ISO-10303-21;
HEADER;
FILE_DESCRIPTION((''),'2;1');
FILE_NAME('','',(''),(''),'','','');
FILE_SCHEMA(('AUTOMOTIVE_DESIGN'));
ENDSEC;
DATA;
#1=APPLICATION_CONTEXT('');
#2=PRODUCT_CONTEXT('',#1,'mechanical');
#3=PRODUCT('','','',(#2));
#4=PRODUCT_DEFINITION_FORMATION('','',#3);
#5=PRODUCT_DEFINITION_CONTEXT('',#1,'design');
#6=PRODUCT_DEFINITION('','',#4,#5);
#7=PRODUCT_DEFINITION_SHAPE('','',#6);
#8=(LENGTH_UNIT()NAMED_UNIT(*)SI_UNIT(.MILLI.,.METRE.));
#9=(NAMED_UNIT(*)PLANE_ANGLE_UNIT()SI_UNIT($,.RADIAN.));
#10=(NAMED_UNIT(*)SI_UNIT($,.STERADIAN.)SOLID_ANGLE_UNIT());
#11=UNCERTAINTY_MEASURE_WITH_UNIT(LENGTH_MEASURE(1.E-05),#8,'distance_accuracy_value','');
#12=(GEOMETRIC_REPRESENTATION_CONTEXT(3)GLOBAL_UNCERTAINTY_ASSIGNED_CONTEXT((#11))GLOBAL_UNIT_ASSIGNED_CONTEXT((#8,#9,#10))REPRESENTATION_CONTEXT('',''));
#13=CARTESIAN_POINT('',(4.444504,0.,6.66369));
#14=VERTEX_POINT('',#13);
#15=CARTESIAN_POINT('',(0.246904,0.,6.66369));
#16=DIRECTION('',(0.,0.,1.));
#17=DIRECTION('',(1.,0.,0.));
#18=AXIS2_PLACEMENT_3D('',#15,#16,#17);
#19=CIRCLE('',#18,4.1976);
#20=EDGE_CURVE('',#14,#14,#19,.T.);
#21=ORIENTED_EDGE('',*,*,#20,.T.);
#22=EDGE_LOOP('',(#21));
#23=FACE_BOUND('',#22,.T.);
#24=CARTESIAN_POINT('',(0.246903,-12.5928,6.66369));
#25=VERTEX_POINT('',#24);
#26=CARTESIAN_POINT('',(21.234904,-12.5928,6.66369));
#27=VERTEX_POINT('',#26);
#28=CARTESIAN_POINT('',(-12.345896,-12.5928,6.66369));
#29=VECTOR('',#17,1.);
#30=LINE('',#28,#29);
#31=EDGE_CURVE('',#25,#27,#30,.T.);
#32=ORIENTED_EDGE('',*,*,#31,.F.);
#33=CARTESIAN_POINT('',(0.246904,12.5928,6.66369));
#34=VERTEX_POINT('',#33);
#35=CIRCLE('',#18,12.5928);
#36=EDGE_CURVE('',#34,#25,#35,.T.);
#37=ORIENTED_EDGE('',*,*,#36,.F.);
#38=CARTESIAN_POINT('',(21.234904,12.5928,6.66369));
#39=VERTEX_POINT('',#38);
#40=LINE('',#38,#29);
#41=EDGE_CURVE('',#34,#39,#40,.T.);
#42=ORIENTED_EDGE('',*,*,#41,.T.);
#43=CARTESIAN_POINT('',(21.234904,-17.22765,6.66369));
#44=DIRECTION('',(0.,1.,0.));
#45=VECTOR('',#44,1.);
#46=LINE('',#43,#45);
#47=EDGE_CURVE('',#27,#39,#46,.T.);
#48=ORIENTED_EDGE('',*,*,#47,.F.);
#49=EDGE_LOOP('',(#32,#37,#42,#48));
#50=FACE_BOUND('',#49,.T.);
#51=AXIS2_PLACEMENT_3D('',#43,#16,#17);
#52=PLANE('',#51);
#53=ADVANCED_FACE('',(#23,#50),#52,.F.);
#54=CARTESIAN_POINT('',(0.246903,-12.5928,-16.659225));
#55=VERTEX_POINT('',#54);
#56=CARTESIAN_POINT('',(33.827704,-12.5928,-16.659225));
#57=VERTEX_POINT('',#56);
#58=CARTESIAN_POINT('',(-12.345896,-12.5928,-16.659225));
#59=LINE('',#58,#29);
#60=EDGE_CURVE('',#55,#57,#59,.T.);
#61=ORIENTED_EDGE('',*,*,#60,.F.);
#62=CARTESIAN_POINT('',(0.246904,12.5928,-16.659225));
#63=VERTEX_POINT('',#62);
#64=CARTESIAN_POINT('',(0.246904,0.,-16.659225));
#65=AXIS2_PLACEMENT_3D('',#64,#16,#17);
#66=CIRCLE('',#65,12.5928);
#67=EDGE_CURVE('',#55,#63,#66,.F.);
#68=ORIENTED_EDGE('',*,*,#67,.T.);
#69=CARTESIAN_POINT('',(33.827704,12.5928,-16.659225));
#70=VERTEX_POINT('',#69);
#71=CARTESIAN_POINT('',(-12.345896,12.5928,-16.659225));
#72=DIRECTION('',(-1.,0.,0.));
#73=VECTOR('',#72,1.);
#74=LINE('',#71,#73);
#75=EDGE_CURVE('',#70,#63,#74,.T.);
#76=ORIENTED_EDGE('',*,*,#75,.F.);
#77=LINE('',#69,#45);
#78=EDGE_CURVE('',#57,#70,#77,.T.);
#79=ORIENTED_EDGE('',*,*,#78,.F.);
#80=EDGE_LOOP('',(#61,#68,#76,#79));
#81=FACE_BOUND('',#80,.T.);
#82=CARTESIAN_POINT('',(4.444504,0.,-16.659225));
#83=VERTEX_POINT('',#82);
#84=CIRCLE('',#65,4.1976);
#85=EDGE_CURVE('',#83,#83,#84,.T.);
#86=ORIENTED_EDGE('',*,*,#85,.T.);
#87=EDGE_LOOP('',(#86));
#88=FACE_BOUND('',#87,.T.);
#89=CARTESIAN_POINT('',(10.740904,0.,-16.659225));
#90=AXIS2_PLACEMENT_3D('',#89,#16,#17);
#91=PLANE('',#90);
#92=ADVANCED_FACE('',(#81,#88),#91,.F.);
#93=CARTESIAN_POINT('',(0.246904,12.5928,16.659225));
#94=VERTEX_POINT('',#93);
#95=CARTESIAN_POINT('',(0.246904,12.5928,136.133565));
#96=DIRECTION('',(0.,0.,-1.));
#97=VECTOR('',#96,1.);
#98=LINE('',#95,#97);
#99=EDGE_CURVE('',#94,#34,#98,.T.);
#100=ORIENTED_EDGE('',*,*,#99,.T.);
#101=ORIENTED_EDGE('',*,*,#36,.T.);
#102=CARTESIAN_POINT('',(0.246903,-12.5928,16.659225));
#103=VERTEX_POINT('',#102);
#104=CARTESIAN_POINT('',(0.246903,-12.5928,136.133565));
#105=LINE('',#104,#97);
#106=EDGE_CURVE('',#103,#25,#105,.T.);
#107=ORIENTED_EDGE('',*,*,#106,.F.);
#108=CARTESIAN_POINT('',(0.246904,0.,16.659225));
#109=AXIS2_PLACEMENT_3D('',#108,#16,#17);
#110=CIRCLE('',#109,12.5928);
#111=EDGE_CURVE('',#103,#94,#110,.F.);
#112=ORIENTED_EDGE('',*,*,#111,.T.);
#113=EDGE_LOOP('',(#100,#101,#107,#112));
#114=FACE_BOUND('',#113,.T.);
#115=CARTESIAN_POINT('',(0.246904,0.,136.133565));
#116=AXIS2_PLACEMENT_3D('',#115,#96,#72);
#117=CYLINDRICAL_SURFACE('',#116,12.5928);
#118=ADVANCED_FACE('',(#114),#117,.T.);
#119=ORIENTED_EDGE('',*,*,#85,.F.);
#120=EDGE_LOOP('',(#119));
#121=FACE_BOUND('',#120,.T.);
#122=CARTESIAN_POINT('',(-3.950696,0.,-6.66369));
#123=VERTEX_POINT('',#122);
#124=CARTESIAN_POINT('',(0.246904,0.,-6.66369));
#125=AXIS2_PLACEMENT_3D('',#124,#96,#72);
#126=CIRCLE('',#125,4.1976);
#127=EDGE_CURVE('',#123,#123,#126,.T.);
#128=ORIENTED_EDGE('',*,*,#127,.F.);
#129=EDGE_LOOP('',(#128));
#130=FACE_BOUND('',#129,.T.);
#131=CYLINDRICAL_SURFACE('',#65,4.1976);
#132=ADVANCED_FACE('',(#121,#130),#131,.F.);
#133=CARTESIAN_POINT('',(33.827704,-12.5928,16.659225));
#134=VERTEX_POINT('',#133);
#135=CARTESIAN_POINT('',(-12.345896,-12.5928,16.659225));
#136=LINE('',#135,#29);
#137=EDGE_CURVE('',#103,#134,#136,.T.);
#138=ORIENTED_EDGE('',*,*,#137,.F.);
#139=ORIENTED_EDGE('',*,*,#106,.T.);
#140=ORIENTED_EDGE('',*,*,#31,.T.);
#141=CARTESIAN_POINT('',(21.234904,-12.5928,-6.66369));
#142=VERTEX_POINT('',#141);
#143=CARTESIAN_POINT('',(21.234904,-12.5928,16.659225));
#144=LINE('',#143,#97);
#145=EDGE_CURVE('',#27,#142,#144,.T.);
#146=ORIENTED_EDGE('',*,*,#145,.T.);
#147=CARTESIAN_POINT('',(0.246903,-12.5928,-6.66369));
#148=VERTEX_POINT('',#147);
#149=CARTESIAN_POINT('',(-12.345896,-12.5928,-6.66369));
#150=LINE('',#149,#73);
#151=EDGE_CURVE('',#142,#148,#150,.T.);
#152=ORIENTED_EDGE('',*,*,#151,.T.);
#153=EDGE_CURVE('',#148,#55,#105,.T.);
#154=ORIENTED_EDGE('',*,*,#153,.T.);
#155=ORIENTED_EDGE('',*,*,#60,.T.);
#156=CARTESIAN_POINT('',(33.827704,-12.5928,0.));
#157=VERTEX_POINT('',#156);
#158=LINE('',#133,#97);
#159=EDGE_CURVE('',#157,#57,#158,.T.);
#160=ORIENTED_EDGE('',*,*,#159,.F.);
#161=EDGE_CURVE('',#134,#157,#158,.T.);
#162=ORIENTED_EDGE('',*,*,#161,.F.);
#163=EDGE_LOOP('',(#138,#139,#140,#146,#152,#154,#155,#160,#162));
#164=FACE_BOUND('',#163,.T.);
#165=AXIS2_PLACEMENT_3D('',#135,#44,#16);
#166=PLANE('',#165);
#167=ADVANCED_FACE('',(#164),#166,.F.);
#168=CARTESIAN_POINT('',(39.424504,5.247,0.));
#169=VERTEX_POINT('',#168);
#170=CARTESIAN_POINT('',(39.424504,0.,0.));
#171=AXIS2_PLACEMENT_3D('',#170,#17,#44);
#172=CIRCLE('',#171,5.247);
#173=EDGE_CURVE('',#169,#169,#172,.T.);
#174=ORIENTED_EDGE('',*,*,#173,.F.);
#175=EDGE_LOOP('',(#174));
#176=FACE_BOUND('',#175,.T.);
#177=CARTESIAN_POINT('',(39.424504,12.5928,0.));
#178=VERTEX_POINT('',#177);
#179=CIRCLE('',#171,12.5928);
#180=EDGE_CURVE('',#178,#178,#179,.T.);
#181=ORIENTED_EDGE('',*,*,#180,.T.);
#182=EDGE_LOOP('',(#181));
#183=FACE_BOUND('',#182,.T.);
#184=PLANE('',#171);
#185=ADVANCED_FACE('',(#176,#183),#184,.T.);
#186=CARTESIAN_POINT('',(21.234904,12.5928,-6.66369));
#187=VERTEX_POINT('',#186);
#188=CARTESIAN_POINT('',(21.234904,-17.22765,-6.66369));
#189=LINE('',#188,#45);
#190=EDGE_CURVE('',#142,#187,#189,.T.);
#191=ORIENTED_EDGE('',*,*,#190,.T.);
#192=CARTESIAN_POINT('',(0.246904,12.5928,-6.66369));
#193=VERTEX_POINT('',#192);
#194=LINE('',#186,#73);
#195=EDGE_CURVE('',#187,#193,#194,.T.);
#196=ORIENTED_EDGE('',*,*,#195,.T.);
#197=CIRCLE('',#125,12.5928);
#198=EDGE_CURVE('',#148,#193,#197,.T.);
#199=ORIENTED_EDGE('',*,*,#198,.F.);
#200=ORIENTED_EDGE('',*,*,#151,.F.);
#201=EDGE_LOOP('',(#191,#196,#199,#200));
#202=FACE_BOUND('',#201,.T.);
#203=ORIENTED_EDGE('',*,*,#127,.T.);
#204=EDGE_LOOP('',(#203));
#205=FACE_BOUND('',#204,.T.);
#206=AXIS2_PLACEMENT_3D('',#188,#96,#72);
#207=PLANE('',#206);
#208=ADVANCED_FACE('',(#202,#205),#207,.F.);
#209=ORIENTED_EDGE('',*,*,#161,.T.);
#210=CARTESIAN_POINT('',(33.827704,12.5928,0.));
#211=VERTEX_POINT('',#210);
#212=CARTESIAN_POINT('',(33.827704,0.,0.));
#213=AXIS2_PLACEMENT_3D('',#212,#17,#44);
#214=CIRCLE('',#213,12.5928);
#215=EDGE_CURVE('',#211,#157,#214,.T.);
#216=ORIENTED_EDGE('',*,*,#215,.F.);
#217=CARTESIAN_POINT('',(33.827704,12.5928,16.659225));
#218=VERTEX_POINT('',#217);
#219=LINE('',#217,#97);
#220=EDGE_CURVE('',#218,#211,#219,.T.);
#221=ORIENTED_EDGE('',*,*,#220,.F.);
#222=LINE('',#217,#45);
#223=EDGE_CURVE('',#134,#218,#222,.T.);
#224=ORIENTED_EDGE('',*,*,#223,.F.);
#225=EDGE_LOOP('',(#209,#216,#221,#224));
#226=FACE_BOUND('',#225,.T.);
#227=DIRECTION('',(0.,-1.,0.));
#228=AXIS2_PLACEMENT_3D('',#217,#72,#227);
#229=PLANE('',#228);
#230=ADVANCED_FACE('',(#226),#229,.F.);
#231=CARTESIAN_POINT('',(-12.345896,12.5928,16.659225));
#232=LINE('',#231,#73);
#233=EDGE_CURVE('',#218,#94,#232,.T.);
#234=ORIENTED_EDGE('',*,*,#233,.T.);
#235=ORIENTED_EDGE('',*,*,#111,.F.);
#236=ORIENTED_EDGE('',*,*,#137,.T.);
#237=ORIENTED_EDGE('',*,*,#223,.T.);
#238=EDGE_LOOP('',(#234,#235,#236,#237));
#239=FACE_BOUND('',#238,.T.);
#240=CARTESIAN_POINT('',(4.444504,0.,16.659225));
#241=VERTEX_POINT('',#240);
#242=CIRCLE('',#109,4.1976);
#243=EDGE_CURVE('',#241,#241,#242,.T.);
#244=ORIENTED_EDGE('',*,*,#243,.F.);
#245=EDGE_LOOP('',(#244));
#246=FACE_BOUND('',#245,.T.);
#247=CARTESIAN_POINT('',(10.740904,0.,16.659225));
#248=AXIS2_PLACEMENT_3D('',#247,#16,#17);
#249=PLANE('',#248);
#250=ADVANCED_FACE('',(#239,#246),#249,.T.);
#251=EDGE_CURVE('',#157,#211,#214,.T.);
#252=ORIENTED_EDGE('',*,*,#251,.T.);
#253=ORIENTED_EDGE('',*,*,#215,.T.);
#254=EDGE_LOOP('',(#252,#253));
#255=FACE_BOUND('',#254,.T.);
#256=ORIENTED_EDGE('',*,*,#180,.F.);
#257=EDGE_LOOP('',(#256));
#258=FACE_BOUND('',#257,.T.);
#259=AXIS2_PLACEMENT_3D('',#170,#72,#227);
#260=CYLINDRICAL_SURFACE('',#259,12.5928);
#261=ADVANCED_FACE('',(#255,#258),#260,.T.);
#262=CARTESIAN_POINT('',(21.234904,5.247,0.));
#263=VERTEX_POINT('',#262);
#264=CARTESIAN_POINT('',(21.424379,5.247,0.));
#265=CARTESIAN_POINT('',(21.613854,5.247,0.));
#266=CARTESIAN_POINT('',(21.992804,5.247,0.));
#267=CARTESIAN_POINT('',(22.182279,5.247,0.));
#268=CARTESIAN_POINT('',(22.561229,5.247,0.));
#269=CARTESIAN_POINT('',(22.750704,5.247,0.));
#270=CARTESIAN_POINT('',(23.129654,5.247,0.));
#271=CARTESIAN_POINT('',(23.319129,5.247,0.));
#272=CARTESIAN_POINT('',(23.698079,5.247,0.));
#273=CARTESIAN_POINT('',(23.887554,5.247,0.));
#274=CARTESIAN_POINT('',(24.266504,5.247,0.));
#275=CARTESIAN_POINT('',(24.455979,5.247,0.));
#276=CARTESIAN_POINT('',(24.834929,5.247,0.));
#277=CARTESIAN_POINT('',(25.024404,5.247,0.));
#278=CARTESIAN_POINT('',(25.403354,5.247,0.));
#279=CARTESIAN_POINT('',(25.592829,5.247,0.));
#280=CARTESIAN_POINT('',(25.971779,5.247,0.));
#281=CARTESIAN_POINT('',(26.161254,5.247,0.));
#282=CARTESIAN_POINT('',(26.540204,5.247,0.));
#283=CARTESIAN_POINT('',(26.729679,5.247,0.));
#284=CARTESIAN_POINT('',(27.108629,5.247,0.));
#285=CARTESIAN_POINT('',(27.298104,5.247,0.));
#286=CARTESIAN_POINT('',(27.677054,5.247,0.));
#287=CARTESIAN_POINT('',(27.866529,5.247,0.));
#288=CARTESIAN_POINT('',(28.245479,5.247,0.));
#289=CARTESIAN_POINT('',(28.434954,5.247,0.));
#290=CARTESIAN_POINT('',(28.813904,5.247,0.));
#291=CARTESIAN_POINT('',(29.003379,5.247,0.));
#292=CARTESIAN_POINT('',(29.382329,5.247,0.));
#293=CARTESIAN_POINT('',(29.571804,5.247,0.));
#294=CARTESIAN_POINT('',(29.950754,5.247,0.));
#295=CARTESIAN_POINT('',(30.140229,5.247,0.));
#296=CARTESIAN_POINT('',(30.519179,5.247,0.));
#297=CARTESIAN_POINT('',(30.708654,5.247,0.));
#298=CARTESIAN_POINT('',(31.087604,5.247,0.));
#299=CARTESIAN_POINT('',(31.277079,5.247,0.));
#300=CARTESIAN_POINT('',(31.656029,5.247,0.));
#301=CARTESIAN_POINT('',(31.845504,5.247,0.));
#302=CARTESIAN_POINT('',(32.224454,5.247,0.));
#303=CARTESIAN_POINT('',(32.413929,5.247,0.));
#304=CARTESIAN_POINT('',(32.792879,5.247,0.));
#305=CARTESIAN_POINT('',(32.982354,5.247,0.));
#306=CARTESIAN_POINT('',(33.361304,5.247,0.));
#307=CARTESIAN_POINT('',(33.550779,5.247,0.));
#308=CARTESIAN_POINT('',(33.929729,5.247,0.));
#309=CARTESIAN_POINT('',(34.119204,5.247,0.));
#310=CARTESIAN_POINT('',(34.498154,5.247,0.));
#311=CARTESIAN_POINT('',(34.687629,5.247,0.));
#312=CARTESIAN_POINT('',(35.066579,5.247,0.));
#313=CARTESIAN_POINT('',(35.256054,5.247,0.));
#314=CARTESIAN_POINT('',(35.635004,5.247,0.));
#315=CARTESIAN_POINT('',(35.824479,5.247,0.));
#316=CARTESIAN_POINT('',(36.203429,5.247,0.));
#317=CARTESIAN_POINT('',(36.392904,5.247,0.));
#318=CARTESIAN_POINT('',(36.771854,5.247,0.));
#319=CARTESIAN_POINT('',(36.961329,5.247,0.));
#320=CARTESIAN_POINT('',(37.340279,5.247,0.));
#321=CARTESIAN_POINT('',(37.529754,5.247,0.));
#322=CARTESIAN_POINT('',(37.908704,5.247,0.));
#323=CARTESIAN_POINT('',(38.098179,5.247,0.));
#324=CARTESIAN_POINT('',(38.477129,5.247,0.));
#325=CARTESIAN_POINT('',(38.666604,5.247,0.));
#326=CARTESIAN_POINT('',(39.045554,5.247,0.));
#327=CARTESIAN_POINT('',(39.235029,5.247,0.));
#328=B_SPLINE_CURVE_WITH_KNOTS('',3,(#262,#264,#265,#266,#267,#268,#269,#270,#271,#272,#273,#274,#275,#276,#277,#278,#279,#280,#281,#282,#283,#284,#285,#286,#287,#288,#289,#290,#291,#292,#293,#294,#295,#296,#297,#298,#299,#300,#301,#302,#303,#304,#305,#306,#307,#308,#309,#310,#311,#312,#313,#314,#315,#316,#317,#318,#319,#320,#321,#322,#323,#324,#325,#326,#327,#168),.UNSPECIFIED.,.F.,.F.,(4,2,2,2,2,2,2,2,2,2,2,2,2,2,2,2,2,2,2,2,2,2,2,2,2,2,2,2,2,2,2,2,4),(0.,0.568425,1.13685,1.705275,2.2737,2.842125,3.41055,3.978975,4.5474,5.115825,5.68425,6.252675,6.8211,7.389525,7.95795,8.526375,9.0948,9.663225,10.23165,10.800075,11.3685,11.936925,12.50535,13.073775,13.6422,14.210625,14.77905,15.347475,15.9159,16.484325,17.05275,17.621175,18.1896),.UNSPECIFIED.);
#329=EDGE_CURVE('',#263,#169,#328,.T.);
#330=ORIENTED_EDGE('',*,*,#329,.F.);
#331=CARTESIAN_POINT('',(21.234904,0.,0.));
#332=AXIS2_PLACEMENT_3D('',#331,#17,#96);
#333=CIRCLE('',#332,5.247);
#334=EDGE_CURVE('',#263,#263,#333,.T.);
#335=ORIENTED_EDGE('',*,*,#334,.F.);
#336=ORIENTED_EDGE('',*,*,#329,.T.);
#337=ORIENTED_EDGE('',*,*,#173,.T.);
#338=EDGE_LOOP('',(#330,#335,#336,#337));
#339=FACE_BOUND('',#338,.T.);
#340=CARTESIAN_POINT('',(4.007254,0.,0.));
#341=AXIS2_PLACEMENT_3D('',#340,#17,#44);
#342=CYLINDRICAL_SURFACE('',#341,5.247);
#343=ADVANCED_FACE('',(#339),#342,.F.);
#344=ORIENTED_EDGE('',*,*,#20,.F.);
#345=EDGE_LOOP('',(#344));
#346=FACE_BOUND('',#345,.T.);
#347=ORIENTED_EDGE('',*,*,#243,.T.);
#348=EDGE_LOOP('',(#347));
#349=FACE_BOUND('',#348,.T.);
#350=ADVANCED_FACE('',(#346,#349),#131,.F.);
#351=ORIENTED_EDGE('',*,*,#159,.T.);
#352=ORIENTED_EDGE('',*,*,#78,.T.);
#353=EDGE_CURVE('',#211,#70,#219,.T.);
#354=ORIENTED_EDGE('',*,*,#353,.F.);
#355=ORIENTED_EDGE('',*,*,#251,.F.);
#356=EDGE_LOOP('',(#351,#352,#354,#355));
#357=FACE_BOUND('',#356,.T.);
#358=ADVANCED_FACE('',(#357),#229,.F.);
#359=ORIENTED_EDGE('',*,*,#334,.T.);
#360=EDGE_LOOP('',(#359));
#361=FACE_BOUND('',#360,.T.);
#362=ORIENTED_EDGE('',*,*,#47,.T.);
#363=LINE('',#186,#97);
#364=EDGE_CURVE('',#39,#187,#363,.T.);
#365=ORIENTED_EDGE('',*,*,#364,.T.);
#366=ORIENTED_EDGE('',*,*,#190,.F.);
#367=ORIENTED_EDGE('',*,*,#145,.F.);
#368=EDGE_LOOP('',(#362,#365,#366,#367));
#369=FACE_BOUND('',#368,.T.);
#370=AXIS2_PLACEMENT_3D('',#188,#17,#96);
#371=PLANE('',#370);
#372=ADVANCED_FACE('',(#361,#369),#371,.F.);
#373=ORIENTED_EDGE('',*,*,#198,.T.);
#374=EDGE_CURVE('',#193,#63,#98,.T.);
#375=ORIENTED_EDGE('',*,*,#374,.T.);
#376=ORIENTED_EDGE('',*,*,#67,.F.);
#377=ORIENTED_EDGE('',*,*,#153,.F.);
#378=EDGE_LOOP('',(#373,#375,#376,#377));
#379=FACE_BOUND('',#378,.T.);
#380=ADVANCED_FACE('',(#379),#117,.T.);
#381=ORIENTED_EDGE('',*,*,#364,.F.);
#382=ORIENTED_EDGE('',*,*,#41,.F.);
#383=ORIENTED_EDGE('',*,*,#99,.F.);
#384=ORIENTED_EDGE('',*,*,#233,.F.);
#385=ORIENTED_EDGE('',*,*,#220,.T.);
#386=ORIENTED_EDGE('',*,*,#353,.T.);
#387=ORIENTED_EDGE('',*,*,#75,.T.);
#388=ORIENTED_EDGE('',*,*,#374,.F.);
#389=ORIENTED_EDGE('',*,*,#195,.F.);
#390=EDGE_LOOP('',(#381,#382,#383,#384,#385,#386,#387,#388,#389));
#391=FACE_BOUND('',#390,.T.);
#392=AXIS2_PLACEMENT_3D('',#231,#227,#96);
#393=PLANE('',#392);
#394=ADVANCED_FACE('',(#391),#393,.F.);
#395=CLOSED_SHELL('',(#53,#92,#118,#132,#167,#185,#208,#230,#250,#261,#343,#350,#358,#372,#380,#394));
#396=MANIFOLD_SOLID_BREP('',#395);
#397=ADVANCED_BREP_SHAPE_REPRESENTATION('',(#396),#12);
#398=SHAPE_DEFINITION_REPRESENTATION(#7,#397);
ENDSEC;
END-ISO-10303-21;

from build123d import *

# Parameters (mm, degrees)
SKETCH1_W               = 132
SKETCH1_H               = 72
BOSS_EXTRUDE1_DEPTH     = 47.625
CUT_EXTRUDE1_DEPTH      = 122.344808294
CUT_EXTRUDE1_DEPTH_BACK = 122.344808294
SKETCH3_W               = 96
SKETCH3_H               = 38.1
CUT_EXTRUDE2_DEPTH      = 85.25
SKETCH4_R               = 15
CUT_EXTRUDE3_DEPTH      = 85.25
BOSS_EXTRUDE2_START     = 16
SKETCH5_R               = 36
SKETCH5_R_2             = 15
BOSS_EXTRUDE2_DEPTH     = 16
CUT_EXTRUDE4_DEPTH      = 131.738527221
CUT_EXTRUDE4_DEPTH_BACK = 131.738527221
SKETCH6_R               = 12
SCALE1_SCALE            = 0.53
SCALE2_SCALE            = 0.66


with BuildPart() as part:
    # Sketch1 → Boss-Extrude1 (new, symmetric)
    with BuildSketch(Plane.XY):
        Rectangle(SKETCH1_W, SKETCH1_H)
    extrude(amount=BOSS_EXTRUDE1_DEPTH, both=True)

    # Sketch2 → Cut-Extrude1 (cut, two sides: drawn at the far end of the back side and taken through both)
    with BuildSketch(Plane.XY.offset(47.625).offset(-CUT_EXTRUDE1_DEPTH_BACK)):
        with BuildLine():
            Line((220.000003209, 36), (-30, 36))
            ThreePointArc((-30, 36), (-66, 1.003e-06), (-30.000002006, -36))
            Line((-30.000002006, -36), (220.000001203, -36.000013927))
            Line((220.000001203, -36.000013927), (-280.000005214, -36))
            Line((-280.000005214, -36), (-280.000003209, 36.000013927))
            Line((-280.000003209, 36.000013927), (220.000003209, 36))
        make_face()
    extrude(amount=CUT_EXTRUDE1_DEPTH + CUT_EXTRUDE1_DEPTH_BACK, mode=Mode.SUBTRACT)

    # Sketch3 → Cut-Extrude2 (cut)
    with BuildSketch(Plane(origin=(0, 36, 0), x_dir=(1, 0, 0), z_dir=(0, 1, 0))):
        with Locations((-18, 0)):
            Rectangle(SKETCH3_W, SKETCH3_H)
    extrude(amount=-CUT_EXTRUDE2_DEPTH, mode=Mode.SUBTRACT)

    # Sketch4 → Cut-Extrude3 (cut)
    with BuildSketch(Plane(origin=(66, 0, 0), x_dir=(0, 0, -1), z_dir=(1, 0, 0))):
        with Locations(Location((0, 0, 0), (0, 0, 90))):
            Circle(SKETCH4_R)
    extrude(amount=-CUT_EXTRUDE3_DEPTH, mode=Mode.SUBTRACT)

    # Sketch5 → Boss-Extrude2 (add)
    with BuildSketch(Plane(origin=(66, 0, 0), x_dir=(0, 0, -1), z_dir=(1, 0, 0)).offset(BOSS_EXTRUDE2_START)):
        with Locations(Location((0, 0, 0), (0, 0, 90))):
            Circle(SKETCH5_R)
        with Locations(Location((0, 0, 0), (0, 0, 90))):
            Circle(SKETCH5_R_2, mode=Mode.SUBTRACT)
    extrude(amount=-BOSS_EXTRUDE2_DEPTH)

    # Sketch6 → Cut-Extrude4 (cut, two sides: drawn at the far end of the back side and taken through both)
    with BuildSketch(Plane.XY.offset(47.625).offset(-CUT_EXTRUDE4_DEPTH_BACK)):
        with Locations((-30, 0)):
            Circle(SKETCH6_R)
    extrude(amount=CUT_EXTRUDE4_DEPTH + CUT_EXTRUDE4_DEPTH_BACK, mode=Mode.SUBTRACT)


with BuildPart() as part_1:
    # Scale1: scaled about (16.519385086, 0, 0)
    add(part.part.scale(SCALE1_SCALE).moved(Location((7.76411099, 0, 0))))


with BuildPart() as part_2:
    # Scale2: scaled about (16.519385086, 0, 0)
    add(part_1.part.scale(SCALE2_SCALE).moved(Location((5.616590929, 0, 0))))


solid = part_2.part
